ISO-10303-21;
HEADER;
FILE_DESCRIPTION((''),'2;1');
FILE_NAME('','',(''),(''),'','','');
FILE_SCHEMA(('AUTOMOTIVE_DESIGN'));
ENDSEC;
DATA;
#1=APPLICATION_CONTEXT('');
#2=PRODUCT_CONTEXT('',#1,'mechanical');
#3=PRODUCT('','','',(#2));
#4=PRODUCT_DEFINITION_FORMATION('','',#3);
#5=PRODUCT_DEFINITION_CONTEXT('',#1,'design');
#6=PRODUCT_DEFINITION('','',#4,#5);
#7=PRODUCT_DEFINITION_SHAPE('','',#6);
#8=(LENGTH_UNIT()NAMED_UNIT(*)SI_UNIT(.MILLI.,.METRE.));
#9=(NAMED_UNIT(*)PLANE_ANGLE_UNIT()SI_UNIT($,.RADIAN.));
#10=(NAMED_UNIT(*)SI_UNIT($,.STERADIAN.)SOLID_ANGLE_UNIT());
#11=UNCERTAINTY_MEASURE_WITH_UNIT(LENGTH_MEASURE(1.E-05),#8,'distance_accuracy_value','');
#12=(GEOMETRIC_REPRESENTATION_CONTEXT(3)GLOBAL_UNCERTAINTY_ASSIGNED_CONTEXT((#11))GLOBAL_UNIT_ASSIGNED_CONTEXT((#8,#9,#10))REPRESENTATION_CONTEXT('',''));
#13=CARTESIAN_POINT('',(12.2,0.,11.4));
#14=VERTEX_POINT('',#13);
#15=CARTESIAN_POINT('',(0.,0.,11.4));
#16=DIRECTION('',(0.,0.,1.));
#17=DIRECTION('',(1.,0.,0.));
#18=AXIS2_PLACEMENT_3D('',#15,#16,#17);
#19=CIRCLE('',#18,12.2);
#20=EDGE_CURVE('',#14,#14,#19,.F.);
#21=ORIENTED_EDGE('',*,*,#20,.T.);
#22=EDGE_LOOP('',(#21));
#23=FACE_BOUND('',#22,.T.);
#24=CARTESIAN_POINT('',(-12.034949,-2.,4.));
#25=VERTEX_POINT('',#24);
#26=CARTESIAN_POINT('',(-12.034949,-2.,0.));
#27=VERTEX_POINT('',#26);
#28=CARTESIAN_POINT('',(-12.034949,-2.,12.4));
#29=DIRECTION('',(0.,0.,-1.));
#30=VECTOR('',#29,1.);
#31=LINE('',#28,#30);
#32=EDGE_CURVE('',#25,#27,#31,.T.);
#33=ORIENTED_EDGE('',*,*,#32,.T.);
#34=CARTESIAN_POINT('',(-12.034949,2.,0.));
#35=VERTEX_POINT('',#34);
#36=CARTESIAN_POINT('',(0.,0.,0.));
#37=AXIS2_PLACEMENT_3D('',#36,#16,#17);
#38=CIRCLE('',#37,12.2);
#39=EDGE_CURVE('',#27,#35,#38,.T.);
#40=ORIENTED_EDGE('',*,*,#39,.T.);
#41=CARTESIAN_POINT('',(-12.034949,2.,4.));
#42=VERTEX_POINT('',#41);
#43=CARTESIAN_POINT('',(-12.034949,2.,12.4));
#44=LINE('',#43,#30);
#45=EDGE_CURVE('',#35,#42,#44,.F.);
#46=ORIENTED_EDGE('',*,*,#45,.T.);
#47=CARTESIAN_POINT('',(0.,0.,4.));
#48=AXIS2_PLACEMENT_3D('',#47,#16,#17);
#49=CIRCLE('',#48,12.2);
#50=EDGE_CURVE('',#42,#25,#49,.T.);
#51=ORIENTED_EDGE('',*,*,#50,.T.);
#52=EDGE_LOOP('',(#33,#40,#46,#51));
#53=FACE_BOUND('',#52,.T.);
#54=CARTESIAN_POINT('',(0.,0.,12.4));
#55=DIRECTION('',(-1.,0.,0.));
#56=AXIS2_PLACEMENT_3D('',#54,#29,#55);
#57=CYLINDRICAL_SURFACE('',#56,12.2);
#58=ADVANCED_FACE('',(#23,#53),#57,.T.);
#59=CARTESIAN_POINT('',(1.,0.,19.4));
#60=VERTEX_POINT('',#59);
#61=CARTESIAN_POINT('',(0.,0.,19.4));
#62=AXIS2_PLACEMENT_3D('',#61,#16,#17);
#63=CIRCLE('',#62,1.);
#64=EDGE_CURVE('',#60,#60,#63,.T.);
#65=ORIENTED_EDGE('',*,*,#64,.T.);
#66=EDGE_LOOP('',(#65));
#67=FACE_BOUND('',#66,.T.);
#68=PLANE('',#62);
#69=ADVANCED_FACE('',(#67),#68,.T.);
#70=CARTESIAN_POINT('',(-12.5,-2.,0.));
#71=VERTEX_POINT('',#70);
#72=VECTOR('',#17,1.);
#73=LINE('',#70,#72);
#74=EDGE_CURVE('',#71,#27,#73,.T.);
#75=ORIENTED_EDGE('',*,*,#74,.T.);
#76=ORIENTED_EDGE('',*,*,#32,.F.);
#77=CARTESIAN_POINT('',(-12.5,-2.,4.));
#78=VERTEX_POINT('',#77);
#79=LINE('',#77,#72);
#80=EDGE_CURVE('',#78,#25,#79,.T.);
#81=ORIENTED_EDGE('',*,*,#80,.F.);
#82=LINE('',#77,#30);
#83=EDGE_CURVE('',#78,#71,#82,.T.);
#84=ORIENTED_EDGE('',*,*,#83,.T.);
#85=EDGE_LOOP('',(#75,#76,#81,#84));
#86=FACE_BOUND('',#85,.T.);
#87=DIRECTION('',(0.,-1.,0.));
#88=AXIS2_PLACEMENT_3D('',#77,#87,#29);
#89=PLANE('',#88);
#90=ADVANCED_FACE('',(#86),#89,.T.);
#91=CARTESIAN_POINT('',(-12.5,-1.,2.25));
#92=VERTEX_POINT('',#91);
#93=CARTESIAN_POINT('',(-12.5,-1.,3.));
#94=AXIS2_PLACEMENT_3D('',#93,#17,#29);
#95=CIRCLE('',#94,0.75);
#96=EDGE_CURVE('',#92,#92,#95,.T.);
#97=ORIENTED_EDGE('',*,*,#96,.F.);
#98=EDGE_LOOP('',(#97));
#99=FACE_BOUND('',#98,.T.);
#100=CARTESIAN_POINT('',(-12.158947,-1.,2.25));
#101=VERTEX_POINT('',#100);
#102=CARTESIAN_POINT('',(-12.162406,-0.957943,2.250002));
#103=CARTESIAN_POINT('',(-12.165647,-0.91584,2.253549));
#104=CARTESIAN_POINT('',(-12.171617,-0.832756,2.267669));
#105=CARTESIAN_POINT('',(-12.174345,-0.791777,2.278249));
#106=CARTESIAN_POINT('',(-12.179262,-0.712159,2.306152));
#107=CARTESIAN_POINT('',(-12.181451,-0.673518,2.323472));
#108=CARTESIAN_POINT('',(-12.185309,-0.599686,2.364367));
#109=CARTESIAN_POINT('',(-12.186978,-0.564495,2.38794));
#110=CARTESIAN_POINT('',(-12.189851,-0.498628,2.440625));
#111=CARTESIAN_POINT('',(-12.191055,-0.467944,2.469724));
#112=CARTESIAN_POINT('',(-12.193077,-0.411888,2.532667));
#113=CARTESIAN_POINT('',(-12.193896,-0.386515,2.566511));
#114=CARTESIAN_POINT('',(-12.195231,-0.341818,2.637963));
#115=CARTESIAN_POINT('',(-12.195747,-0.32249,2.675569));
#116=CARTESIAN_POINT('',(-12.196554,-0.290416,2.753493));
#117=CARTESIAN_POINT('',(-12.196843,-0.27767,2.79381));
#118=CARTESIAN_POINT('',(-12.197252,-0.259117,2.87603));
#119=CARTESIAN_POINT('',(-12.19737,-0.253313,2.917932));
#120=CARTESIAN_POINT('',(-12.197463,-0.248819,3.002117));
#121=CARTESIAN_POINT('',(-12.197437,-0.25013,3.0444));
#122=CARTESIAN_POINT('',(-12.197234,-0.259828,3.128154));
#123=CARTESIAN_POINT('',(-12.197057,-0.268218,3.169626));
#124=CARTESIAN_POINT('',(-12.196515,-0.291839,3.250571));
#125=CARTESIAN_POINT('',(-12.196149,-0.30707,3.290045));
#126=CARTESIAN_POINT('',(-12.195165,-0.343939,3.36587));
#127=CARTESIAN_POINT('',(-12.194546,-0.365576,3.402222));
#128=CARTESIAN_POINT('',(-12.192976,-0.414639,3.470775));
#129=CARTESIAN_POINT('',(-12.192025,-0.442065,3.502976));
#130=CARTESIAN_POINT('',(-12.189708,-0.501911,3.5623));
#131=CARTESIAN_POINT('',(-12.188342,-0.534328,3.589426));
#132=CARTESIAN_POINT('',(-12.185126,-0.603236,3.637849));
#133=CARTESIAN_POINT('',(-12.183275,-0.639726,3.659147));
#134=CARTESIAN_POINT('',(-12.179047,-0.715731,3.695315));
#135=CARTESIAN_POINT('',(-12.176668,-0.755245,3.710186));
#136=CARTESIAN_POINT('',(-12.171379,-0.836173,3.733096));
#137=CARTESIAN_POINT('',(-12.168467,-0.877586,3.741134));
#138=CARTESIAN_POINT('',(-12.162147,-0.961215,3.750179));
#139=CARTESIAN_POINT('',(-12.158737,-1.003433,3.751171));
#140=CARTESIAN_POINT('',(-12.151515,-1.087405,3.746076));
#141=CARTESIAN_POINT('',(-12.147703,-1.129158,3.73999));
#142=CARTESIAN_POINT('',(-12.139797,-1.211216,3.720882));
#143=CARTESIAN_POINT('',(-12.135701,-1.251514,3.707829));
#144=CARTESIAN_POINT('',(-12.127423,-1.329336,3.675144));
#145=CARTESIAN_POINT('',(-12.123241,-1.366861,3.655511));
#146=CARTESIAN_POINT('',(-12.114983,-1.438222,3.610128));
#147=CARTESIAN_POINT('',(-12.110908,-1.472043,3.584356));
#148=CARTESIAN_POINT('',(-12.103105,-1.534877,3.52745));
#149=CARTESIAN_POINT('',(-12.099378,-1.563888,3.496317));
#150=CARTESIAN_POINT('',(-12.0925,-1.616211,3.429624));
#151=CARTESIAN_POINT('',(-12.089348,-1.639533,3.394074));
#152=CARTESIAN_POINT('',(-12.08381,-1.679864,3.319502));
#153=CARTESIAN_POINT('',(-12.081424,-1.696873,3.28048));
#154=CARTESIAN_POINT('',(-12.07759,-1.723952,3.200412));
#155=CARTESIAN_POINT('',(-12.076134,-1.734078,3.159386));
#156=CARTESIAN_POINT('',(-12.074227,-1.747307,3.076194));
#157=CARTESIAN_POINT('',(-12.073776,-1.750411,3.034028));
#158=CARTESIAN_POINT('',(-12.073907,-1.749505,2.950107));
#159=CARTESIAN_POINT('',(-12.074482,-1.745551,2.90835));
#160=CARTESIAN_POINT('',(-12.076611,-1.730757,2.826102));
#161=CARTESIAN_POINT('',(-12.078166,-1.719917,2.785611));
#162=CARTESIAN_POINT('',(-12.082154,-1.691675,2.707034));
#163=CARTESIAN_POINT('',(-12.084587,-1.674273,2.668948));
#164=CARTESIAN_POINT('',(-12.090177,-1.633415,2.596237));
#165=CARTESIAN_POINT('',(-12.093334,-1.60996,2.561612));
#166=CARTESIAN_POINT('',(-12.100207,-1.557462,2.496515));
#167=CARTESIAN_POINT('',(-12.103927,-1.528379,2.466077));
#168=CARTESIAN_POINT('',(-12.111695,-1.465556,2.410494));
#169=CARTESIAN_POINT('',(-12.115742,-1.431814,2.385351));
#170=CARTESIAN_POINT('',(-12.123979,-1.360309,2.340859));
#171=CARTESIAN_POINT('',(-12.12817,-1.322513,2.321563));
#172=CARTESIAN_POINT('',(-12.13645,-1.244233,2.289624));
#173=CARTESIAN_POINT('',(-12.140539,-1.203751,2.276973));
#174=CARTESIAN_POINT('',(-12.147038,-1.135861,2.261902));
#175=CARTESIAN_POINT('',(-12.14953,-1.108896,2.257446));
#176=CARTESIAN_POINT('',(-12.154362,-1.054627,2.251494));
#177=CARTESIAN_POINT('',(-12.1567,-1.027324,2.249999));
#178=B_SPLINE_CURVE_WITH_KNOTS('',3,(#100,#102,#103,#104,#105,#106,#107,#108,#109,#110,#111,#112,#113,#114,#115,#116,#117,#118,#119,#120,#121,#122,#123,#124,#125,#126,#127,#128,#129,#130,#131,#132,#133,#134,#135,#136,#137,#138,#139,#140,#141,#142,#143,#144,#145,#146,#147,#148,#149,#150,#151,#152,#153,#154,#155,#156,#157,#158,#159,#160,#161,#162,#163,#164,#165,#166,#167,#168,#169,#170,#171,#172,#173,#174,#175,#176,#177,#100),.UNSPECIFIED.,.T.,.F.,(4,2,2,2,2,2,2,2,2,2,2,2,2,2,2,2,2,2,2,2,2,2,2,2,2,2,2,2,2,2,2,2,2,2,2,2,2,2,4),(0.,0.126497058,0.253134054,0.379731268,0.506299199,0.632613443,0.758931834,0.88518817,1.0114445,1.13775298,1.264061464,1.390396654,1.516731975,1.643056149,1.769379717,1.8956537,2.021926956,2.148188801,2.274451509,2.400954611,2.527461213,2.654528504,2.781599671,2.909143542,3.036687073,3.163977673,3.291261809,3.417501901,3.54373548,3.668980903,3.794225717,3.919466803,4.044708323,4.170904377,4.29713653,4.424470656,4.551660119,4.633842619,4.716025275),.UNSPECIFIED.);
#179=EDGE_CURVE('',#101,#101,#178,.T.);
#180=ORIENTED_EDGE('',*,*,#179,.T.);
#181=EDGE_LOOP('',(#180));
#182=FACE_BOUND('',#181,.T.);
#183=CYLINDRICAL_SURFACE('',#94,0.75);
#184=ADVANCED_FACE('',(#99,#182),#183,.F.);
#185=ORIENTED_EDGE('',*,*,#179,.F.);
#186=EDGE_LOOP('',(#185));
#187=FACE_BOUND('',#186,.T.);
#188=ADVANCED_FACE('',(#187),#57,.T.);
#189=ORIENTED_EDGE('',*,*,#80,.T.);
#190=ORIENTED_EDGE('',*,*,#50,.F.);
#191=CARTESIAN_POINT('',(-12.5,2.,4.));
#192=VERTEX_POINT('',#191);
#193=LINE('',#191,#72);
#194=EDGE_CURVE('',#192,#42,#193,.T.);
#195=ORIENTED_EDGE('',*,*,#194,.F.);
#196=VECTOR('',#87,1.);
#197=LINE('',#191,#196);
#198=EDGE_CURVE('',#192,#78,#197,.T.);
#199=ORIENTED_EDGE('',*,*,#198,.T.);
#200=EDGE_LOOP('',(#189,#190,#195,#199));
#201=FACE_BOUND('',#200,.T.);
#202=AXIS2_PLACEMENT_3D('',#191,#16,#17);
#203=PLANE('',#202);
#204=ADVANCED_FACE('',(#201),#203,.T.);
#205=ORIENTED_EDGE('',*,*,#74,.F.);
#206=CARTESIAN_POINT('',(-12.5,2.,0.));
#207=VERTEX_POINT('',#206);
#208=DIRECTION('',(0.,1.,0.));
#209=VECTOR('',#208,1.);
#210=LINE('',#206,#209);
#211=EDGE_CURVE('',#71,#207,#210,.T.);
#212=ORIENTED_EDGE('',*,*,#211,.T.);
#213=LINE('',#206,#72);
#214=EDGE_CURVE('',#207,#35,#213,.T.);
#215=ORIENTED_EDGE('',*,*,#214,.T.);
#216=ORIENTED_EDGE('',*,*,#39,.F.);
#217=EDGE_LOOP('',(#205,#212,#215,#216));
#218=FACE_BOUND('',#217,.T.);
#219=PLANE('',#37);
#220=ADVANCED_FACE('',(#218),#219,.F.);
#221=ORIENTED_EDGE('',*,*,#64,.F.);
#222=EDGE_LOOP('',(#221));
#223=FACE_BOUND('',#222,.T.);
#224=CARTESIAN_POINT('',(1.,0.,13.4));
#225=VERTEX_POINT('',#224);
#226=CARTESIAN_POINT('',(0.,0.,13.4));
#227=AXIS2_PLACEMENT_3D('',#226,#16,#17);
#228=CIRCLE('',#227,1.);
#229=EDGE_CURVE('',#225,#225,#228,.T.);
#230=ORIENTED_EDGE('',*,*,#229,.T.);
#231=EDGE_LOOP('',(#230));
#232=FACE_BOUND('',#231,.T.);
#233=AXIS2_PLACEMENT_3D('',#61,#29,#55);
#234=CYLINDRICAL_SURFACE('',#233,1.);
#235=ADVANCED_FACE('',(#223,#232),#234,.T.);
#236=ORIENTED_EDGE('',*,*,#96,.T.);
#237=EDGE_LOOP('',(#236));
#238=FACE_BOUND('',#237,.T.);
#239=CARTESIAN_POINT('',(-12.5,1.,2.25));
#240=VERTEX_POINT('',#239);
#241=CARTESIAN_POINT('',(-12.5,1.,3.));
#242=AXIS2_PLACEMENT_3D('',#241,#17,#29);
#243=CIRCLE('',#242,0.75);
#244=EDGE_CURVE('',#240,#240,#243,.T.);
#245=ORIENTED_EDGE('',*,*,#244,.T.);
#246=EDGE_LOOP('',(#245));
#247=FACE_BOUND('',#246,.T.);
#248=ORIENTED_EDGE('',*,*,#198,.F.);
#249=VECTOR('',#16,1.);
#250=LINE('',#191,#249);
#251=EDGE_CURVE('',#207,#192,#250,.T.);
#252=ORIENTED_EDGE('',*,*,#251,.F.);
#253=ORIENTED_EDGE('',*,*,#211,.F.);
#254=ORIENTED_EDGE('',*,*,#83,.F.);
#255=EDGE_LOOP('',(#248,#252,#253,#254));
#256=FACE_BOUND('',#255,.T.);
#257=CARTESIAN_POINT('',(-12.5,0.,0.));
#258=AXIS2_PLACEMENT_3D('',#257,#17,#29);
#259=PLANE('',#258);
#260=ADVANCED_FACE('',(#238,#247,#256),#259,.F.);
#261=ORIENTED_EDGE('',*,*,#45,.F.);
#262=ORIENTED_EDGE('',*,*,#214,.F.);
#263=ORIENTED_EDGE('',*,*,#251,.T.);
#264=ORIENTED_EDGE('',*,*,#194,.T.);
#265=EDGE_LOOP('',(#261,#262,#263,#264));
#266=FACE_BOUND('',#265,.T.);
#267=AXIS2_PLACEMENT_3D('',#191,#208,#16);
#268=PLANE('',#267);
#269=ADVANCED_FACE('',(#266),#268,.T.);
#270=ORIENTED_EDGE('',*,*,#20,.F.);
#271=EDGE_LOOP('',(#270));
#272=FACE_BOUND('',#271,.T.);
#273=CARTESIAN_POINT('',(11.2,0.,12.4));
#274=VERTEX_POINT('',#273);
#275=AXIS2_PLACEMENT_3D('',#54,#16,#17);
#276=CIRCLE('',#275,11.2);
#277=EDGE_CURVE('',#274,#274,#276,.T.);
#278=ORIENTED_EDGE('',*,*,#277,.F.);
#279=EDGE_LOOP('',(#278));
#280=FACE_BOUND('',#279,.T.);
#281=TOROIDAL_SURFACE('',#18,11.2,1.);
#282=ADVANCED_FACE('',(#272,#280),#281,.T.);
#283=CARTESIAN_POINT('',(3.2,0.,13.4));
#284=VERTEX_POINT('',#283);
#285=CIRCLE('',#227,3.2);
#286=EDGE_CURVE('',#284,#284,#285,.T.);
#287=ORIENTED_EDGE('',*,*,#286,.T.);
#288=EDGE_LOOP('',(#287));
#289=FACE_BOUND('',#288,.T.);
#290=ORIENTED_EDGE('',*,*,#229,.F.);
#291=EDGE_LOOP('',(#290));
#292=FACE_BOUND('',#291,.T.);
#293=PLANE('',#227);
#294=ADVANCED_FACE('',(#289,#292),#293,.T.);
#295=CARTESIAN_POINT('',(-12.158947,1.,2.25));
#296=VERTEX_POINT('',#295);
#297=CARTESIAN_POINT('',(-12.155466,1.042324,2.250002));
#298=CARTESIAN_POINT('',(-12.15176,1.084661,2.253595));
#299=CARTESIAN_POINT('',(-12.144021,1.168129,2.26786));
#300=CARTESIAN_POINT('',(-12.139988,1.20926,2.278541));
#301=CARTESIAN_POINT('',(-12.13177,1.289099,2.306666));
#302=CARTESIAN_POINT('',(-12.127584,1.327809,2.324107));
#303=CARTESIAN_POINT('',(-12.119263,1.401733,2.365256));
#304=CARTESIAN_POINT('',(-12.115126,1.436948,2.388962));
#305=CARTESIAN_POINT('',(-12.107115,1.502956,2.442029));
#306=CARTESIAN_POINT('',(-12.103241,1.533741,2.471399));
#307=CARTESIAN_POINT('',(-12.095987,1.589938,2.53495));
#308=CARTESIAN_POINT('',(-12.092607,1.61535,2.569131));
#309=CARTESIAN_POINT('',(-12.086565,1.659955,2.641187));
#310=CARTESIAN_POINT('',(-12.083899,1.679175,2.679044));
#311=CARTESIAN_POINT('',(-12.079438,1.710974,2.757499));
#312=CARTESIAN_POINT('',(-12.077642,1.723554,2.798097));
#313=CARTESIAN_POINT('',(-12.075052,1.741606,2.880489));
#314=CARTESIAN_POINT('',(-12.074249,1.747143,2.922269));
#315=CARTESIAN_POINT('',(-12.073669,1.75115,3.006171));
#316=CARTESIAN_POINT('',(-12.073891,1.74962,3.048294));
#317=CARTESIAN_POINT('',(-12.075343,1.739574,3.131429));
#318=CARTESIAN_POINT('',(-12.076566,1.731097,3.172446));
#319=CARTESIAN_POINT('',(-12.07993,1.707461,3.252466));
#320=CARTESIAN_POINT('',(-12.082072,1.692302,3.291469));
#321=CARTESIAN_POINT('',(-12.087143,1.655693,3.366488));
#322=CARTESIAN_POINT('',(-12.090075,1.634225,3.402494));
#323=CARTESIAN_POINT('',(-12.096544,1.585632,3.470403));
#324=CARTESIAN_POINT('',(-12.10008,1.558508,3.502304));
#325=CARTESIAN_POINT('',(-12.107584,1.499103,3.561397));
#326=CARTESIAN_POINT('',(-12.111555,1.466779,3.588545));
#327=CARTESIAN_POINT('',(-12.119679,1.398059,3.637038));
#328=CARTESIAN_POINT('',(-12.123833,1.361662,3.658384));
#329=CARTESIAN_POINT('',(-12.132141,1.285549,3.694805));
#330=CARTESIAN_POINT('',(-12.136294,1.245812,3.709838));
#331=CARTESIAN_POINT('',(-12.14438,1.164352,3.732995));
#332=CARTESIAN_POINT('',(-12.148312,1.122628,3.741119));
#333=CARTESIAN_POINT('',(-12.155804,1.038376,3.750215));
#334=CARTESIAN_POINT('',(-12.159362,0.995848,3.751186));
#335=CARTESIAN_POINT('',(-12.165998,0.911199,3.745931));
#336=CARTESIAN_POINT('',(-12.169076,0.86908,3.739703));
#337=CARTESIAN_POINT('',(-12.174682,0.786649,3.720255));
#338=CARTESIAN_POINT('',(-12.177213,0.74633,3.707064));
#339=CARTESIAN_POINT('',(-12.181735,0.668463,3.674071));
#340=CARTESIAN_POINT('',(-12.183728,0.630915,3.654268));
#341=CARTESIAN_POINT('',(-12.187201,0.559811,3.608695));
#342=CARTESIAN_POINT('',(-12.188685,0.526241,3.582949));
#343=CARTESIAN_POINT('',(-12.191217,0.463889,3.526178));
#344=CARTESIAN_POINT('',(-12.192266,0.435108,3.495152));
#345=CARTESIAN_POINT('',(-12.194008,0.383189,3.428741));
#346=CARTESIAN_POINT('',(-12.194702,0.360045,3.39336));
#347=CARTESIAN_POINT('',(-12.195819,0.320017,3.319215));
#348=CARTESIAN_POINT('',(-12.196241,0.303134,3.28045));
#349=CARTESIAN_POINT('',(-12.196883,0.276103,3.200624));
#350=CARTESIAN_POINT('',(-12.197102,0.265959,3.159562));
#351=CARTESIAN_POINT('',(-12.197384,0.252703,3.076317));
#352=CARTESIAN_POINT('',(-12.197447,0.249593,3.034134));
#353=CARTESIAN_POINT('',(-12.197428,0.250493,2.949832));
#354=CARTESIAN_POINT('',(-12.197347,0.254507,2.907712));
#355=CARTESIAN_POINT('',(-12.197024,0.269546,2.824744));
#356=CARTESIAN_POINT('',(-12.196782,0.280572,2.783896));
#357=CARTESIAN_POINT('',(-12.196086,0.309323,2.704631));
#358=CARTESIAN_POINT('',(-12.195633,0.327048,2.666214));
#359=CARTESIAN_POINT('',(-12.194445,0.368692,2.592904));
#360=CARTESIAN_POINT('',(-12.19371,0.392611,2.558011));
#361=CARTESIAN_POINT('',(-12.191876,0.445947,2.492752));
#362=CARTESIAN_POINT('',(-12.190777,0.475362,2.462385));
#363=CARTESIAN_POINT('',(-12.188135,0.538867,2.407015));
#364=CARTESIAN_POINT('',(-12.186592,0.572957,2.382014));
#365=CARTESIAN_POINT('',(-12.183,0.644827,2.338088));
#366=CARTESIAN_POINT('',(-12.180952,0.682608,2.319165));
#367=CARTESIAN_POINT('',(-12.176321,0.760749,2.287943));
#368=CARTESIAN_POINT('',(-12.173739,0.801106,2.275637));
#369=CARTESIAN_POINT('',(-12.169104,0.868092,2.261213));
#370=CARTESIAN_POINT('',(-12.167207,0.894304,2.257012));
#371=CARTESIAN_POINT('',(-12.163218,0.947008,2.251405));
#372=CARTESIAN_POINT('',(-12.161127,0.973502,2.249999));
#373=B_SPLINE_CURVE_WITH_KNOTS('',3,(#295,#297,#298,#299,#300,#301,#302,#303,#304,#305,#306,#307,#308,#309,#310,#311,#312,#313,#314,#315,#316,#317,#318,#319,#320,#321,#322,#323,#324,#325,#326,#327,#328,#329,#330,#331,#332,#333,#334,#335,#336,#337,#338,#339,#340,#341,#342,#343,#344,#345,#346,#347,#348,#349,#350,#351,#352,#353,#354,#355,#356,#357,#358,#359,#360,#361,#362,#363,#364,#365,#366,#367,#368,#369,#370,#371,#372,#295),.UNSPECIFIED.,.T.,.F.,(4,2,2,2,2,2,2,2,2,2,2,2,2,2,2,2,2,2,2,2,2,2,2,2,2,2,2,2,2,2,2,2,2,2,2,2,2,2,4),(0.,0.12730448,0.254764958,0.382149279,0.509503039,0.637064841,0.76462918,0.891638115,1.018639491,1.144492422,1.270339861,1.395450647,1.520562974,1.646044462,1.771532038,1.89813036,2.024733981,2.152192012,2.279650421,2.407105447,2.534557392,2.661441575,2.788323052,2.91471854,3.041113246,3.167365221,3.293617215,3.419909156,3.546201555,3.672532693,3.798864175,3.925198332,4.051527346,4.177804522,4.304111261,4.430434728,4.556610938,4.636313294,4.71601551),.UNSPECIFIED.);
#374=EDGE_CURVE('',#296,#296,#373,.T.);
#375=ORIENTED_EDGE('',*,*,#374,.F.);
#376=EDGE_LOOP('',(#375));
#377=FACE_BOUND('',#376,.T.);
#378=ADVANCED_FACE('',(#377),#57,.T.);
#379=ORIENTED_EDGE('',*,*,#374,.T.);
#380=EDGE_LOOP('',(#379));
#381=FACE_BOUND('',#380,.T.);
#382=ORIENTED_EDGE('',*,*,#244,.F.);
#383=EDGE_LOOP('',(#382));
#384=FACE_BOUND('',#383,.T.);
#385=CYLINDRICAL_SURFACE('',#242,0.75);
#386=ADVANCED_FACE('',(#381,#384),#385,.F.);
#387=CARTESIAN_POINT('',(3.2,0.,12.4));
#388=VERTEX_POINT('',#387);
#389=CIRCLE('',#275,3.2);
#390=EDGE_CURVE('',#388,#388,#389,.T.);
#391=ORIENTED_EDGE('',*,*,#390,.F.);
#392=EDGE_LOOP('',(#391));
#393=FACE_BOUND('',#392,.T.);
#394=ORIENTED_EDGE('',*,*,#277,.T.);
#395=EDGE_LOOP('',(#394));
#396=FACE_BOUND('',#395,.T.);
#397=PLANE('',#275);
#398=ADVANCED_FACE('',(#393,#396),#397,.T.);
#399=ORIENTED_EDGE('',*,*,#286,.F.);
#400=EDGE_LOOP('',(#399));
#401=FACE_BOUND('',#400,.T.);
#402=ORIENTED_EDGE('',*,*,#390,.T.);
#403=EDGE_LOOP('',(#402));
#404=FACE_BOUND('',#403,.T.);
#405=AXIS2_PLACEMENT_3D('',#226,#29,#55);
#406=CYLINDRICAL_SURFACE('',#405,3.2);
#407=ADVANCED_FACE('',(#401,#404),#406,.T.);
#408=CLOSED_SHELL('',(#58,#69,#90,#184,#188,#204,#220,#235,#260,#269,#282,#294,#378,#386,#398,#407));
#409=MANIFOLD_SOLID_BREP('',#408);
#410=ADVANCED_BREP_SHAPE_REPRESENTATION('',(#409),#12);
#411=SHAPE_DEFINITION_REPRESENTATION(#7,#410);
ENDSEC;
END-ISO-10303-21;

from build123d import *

# Parameters (mm, degrees)
SKETCH1_R           = 12.2
BOSS_EXTRUDE1_DEPTH = 12.4
SKETCH2_R           = 1
BOSS_EXTRUDE2_DEPTH = 7
SKETCH3_R           = 3.2
BOSS_EXTRUDE3_DEPTH = 1
SKETCH4_W           = 4
SKETCH4_H           = 4
SKETCH4_R           = 0.75
BOSS_EXTRUDE4_DEPTH = 12.5
FILLET1_R           = 1


with BuildPart() as part:
    # Sketch1 → Boss-Extrude1 (new body)
    with BuildSketch(Plane.XY):
        Circle(SKETCH1_R)
    extrude(amount=BOSS_EXTRUDE1_DEPTH)

    # Sketch2 → Boss-Extrude2 (add)
    with BuildSketch(Plane.XY.offset(12.4)):
        Circle(SKETCH2_R)
    extrude(amount=BOSS_EXTRUDE2_DEPTH)

    # Sketch3 → Boss-Extrude3 (add)
    with BuildSketch(Plane.XY.offset(12.4)):
        Circle(SKETCH3_R)
    extrude(amount=BOSS_EXTRUDE3_DEPTH)

    # Sketch4 → Boss-Extrude4 (add)
    with BuildSketch(Plane(origin=(0, 0, 0), x_dir=(0, 0, -1), z_dir=(1, 0, 0))):
        with Locations((-2, 0)):
            Rectangle(SKETCH4_W, SKETCH4_H)
        with Locations((-3, 1)):
            Circle(SKETCH4_R, mode=Mode.SUBTRACT)
        with Locations((-3, -1)):
            Circle(SKETCH4_R, mode=Mode.SUBTRACT)
    extrude(amount=-BOSS_EXTRUDE4_DEPTH)

    # Fillet1
    fillet1_edges = [part.edges().sort_by_distance(p)[0] for p in [
        (-12.2, 0, 12.4),
    ]]
    fillet(fillet1_edges, radius=FILLET1_R)


solid = part.part
